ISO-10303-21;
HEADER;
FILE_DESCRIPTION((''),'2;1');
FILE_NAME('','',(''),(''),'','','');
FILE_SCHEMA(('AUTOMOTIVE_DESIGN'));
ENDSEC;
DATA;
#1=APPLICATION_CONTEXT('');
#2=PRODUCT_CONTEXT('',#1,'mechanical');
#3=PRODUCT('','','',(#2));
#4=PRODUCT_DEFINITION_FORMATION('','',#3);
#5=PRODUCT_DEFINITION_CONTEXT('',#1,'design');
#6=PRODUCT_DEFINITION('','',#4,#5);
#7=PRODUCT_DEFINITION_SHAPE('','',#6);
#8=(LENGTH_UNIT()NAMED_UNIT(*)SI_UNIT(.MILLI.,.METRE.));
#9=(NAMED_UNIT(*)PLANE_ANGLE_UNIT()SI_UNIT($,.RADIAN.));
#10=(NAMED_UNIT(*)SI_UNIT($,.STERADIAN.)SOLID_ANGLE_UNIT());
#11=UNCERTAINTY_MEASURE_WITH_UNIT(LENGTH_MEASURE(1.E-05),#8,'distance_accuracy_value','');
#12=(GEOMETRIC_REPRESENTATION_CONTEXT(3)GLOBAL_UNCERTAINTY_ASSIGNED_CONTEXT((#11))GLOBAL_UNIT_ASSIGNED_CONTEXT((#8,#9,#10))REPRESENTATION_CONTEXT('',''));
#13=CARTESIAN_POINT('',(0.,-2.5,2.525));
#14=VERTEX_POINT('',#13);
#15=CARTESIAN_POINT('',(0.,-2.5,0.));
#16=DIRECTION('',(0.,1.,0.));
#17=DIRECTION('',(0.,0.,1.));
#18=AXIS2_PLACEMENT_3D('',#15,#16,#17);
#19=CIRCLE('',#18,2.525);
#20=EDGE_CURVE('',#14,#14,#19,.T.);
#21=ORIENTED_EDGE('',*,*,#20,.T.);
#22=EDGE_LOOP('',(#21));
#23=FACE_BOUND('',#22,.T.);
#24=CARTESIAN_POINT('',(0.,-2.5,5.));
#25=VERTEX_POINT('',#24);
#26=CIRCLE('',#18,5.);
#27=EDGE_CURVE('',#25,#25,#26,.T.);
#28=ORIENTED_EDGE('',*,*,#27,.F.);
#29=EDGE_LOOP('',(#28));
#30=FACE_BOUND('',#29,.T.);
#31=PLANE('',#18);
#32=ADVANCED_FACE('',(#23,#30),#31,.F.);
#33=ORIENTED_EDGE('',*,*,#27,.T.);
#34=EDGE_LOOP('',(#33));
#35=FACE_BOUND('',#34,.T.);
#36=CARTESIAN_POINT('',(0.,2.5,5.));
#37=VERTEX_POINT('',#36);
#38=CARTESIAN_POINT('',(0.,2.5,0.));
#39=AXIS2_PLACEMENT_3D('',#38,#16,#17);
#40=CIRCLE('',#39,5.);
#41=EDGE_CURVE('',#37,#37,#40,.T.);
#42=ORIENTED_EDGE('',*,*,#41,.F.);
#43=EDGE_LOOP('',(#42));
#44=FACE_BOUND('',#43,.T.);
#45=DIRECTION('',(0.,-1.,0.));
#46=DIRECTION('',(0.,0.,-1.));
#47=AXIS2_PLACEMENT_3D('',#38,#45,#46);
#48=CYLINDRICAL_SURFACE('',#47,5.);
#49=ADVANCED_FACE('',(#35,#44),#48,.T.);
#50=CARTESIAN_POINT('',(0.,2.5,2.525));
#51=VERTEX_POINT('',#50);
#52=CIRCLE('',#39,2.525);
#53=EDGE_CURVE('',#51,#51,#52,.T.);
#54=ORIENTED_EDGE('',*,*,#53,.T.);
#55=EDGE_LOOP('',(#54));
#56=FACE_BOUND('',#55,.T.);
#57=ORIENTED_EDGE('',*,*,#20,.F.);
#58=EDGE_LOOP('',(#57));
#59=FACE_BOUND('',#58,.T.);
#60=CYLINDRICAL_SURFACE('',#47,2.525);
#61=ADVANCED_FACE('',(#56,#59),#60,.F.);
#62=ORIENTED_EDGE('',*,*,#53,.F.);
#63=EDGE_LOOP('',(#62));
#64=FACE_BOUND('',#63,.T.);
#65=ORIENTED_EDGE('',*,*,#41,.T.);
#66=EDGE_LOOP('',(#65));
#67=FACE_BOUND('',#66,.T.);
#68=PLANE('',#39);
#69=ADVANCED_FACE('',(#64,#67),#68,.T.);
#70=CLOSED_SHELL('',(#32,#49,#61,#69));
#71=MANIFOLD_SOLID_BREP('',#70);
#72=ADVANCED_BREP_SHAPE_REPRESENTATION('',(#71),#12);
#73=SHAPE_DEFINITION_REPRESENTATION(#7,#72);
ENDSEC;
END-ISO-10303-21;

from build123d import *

# Parameters (mm, degrees)
SKETCH_1_R      = 5
SKETCH_1_R_2    = 2.525
EXTRUDE_1_DEPTH = 2.5


with BuildPart() as part:
    # ｽｹｯﾁ1 → ﾎﾞｽ - 押し出し1 (new, symmetric)
    with BuildSketch(Plane(origin=(0, 0, 0), x_dir=(1, 0, 0), z_dir=(0, 1, 0))):
        with Locations(Location((0, 0, 0), (0, 0, 270))):
            Circle(SKETCH_1_R)
        with Locations(Location((0, 0, 0), (0, 0, 270))):
            Circle(SKETCH_1_R_2, mode=Mode.SUBTRACT)
    extrude(amount=EXTRUDE_1_DEPTH, both=True)


solid = part.part
